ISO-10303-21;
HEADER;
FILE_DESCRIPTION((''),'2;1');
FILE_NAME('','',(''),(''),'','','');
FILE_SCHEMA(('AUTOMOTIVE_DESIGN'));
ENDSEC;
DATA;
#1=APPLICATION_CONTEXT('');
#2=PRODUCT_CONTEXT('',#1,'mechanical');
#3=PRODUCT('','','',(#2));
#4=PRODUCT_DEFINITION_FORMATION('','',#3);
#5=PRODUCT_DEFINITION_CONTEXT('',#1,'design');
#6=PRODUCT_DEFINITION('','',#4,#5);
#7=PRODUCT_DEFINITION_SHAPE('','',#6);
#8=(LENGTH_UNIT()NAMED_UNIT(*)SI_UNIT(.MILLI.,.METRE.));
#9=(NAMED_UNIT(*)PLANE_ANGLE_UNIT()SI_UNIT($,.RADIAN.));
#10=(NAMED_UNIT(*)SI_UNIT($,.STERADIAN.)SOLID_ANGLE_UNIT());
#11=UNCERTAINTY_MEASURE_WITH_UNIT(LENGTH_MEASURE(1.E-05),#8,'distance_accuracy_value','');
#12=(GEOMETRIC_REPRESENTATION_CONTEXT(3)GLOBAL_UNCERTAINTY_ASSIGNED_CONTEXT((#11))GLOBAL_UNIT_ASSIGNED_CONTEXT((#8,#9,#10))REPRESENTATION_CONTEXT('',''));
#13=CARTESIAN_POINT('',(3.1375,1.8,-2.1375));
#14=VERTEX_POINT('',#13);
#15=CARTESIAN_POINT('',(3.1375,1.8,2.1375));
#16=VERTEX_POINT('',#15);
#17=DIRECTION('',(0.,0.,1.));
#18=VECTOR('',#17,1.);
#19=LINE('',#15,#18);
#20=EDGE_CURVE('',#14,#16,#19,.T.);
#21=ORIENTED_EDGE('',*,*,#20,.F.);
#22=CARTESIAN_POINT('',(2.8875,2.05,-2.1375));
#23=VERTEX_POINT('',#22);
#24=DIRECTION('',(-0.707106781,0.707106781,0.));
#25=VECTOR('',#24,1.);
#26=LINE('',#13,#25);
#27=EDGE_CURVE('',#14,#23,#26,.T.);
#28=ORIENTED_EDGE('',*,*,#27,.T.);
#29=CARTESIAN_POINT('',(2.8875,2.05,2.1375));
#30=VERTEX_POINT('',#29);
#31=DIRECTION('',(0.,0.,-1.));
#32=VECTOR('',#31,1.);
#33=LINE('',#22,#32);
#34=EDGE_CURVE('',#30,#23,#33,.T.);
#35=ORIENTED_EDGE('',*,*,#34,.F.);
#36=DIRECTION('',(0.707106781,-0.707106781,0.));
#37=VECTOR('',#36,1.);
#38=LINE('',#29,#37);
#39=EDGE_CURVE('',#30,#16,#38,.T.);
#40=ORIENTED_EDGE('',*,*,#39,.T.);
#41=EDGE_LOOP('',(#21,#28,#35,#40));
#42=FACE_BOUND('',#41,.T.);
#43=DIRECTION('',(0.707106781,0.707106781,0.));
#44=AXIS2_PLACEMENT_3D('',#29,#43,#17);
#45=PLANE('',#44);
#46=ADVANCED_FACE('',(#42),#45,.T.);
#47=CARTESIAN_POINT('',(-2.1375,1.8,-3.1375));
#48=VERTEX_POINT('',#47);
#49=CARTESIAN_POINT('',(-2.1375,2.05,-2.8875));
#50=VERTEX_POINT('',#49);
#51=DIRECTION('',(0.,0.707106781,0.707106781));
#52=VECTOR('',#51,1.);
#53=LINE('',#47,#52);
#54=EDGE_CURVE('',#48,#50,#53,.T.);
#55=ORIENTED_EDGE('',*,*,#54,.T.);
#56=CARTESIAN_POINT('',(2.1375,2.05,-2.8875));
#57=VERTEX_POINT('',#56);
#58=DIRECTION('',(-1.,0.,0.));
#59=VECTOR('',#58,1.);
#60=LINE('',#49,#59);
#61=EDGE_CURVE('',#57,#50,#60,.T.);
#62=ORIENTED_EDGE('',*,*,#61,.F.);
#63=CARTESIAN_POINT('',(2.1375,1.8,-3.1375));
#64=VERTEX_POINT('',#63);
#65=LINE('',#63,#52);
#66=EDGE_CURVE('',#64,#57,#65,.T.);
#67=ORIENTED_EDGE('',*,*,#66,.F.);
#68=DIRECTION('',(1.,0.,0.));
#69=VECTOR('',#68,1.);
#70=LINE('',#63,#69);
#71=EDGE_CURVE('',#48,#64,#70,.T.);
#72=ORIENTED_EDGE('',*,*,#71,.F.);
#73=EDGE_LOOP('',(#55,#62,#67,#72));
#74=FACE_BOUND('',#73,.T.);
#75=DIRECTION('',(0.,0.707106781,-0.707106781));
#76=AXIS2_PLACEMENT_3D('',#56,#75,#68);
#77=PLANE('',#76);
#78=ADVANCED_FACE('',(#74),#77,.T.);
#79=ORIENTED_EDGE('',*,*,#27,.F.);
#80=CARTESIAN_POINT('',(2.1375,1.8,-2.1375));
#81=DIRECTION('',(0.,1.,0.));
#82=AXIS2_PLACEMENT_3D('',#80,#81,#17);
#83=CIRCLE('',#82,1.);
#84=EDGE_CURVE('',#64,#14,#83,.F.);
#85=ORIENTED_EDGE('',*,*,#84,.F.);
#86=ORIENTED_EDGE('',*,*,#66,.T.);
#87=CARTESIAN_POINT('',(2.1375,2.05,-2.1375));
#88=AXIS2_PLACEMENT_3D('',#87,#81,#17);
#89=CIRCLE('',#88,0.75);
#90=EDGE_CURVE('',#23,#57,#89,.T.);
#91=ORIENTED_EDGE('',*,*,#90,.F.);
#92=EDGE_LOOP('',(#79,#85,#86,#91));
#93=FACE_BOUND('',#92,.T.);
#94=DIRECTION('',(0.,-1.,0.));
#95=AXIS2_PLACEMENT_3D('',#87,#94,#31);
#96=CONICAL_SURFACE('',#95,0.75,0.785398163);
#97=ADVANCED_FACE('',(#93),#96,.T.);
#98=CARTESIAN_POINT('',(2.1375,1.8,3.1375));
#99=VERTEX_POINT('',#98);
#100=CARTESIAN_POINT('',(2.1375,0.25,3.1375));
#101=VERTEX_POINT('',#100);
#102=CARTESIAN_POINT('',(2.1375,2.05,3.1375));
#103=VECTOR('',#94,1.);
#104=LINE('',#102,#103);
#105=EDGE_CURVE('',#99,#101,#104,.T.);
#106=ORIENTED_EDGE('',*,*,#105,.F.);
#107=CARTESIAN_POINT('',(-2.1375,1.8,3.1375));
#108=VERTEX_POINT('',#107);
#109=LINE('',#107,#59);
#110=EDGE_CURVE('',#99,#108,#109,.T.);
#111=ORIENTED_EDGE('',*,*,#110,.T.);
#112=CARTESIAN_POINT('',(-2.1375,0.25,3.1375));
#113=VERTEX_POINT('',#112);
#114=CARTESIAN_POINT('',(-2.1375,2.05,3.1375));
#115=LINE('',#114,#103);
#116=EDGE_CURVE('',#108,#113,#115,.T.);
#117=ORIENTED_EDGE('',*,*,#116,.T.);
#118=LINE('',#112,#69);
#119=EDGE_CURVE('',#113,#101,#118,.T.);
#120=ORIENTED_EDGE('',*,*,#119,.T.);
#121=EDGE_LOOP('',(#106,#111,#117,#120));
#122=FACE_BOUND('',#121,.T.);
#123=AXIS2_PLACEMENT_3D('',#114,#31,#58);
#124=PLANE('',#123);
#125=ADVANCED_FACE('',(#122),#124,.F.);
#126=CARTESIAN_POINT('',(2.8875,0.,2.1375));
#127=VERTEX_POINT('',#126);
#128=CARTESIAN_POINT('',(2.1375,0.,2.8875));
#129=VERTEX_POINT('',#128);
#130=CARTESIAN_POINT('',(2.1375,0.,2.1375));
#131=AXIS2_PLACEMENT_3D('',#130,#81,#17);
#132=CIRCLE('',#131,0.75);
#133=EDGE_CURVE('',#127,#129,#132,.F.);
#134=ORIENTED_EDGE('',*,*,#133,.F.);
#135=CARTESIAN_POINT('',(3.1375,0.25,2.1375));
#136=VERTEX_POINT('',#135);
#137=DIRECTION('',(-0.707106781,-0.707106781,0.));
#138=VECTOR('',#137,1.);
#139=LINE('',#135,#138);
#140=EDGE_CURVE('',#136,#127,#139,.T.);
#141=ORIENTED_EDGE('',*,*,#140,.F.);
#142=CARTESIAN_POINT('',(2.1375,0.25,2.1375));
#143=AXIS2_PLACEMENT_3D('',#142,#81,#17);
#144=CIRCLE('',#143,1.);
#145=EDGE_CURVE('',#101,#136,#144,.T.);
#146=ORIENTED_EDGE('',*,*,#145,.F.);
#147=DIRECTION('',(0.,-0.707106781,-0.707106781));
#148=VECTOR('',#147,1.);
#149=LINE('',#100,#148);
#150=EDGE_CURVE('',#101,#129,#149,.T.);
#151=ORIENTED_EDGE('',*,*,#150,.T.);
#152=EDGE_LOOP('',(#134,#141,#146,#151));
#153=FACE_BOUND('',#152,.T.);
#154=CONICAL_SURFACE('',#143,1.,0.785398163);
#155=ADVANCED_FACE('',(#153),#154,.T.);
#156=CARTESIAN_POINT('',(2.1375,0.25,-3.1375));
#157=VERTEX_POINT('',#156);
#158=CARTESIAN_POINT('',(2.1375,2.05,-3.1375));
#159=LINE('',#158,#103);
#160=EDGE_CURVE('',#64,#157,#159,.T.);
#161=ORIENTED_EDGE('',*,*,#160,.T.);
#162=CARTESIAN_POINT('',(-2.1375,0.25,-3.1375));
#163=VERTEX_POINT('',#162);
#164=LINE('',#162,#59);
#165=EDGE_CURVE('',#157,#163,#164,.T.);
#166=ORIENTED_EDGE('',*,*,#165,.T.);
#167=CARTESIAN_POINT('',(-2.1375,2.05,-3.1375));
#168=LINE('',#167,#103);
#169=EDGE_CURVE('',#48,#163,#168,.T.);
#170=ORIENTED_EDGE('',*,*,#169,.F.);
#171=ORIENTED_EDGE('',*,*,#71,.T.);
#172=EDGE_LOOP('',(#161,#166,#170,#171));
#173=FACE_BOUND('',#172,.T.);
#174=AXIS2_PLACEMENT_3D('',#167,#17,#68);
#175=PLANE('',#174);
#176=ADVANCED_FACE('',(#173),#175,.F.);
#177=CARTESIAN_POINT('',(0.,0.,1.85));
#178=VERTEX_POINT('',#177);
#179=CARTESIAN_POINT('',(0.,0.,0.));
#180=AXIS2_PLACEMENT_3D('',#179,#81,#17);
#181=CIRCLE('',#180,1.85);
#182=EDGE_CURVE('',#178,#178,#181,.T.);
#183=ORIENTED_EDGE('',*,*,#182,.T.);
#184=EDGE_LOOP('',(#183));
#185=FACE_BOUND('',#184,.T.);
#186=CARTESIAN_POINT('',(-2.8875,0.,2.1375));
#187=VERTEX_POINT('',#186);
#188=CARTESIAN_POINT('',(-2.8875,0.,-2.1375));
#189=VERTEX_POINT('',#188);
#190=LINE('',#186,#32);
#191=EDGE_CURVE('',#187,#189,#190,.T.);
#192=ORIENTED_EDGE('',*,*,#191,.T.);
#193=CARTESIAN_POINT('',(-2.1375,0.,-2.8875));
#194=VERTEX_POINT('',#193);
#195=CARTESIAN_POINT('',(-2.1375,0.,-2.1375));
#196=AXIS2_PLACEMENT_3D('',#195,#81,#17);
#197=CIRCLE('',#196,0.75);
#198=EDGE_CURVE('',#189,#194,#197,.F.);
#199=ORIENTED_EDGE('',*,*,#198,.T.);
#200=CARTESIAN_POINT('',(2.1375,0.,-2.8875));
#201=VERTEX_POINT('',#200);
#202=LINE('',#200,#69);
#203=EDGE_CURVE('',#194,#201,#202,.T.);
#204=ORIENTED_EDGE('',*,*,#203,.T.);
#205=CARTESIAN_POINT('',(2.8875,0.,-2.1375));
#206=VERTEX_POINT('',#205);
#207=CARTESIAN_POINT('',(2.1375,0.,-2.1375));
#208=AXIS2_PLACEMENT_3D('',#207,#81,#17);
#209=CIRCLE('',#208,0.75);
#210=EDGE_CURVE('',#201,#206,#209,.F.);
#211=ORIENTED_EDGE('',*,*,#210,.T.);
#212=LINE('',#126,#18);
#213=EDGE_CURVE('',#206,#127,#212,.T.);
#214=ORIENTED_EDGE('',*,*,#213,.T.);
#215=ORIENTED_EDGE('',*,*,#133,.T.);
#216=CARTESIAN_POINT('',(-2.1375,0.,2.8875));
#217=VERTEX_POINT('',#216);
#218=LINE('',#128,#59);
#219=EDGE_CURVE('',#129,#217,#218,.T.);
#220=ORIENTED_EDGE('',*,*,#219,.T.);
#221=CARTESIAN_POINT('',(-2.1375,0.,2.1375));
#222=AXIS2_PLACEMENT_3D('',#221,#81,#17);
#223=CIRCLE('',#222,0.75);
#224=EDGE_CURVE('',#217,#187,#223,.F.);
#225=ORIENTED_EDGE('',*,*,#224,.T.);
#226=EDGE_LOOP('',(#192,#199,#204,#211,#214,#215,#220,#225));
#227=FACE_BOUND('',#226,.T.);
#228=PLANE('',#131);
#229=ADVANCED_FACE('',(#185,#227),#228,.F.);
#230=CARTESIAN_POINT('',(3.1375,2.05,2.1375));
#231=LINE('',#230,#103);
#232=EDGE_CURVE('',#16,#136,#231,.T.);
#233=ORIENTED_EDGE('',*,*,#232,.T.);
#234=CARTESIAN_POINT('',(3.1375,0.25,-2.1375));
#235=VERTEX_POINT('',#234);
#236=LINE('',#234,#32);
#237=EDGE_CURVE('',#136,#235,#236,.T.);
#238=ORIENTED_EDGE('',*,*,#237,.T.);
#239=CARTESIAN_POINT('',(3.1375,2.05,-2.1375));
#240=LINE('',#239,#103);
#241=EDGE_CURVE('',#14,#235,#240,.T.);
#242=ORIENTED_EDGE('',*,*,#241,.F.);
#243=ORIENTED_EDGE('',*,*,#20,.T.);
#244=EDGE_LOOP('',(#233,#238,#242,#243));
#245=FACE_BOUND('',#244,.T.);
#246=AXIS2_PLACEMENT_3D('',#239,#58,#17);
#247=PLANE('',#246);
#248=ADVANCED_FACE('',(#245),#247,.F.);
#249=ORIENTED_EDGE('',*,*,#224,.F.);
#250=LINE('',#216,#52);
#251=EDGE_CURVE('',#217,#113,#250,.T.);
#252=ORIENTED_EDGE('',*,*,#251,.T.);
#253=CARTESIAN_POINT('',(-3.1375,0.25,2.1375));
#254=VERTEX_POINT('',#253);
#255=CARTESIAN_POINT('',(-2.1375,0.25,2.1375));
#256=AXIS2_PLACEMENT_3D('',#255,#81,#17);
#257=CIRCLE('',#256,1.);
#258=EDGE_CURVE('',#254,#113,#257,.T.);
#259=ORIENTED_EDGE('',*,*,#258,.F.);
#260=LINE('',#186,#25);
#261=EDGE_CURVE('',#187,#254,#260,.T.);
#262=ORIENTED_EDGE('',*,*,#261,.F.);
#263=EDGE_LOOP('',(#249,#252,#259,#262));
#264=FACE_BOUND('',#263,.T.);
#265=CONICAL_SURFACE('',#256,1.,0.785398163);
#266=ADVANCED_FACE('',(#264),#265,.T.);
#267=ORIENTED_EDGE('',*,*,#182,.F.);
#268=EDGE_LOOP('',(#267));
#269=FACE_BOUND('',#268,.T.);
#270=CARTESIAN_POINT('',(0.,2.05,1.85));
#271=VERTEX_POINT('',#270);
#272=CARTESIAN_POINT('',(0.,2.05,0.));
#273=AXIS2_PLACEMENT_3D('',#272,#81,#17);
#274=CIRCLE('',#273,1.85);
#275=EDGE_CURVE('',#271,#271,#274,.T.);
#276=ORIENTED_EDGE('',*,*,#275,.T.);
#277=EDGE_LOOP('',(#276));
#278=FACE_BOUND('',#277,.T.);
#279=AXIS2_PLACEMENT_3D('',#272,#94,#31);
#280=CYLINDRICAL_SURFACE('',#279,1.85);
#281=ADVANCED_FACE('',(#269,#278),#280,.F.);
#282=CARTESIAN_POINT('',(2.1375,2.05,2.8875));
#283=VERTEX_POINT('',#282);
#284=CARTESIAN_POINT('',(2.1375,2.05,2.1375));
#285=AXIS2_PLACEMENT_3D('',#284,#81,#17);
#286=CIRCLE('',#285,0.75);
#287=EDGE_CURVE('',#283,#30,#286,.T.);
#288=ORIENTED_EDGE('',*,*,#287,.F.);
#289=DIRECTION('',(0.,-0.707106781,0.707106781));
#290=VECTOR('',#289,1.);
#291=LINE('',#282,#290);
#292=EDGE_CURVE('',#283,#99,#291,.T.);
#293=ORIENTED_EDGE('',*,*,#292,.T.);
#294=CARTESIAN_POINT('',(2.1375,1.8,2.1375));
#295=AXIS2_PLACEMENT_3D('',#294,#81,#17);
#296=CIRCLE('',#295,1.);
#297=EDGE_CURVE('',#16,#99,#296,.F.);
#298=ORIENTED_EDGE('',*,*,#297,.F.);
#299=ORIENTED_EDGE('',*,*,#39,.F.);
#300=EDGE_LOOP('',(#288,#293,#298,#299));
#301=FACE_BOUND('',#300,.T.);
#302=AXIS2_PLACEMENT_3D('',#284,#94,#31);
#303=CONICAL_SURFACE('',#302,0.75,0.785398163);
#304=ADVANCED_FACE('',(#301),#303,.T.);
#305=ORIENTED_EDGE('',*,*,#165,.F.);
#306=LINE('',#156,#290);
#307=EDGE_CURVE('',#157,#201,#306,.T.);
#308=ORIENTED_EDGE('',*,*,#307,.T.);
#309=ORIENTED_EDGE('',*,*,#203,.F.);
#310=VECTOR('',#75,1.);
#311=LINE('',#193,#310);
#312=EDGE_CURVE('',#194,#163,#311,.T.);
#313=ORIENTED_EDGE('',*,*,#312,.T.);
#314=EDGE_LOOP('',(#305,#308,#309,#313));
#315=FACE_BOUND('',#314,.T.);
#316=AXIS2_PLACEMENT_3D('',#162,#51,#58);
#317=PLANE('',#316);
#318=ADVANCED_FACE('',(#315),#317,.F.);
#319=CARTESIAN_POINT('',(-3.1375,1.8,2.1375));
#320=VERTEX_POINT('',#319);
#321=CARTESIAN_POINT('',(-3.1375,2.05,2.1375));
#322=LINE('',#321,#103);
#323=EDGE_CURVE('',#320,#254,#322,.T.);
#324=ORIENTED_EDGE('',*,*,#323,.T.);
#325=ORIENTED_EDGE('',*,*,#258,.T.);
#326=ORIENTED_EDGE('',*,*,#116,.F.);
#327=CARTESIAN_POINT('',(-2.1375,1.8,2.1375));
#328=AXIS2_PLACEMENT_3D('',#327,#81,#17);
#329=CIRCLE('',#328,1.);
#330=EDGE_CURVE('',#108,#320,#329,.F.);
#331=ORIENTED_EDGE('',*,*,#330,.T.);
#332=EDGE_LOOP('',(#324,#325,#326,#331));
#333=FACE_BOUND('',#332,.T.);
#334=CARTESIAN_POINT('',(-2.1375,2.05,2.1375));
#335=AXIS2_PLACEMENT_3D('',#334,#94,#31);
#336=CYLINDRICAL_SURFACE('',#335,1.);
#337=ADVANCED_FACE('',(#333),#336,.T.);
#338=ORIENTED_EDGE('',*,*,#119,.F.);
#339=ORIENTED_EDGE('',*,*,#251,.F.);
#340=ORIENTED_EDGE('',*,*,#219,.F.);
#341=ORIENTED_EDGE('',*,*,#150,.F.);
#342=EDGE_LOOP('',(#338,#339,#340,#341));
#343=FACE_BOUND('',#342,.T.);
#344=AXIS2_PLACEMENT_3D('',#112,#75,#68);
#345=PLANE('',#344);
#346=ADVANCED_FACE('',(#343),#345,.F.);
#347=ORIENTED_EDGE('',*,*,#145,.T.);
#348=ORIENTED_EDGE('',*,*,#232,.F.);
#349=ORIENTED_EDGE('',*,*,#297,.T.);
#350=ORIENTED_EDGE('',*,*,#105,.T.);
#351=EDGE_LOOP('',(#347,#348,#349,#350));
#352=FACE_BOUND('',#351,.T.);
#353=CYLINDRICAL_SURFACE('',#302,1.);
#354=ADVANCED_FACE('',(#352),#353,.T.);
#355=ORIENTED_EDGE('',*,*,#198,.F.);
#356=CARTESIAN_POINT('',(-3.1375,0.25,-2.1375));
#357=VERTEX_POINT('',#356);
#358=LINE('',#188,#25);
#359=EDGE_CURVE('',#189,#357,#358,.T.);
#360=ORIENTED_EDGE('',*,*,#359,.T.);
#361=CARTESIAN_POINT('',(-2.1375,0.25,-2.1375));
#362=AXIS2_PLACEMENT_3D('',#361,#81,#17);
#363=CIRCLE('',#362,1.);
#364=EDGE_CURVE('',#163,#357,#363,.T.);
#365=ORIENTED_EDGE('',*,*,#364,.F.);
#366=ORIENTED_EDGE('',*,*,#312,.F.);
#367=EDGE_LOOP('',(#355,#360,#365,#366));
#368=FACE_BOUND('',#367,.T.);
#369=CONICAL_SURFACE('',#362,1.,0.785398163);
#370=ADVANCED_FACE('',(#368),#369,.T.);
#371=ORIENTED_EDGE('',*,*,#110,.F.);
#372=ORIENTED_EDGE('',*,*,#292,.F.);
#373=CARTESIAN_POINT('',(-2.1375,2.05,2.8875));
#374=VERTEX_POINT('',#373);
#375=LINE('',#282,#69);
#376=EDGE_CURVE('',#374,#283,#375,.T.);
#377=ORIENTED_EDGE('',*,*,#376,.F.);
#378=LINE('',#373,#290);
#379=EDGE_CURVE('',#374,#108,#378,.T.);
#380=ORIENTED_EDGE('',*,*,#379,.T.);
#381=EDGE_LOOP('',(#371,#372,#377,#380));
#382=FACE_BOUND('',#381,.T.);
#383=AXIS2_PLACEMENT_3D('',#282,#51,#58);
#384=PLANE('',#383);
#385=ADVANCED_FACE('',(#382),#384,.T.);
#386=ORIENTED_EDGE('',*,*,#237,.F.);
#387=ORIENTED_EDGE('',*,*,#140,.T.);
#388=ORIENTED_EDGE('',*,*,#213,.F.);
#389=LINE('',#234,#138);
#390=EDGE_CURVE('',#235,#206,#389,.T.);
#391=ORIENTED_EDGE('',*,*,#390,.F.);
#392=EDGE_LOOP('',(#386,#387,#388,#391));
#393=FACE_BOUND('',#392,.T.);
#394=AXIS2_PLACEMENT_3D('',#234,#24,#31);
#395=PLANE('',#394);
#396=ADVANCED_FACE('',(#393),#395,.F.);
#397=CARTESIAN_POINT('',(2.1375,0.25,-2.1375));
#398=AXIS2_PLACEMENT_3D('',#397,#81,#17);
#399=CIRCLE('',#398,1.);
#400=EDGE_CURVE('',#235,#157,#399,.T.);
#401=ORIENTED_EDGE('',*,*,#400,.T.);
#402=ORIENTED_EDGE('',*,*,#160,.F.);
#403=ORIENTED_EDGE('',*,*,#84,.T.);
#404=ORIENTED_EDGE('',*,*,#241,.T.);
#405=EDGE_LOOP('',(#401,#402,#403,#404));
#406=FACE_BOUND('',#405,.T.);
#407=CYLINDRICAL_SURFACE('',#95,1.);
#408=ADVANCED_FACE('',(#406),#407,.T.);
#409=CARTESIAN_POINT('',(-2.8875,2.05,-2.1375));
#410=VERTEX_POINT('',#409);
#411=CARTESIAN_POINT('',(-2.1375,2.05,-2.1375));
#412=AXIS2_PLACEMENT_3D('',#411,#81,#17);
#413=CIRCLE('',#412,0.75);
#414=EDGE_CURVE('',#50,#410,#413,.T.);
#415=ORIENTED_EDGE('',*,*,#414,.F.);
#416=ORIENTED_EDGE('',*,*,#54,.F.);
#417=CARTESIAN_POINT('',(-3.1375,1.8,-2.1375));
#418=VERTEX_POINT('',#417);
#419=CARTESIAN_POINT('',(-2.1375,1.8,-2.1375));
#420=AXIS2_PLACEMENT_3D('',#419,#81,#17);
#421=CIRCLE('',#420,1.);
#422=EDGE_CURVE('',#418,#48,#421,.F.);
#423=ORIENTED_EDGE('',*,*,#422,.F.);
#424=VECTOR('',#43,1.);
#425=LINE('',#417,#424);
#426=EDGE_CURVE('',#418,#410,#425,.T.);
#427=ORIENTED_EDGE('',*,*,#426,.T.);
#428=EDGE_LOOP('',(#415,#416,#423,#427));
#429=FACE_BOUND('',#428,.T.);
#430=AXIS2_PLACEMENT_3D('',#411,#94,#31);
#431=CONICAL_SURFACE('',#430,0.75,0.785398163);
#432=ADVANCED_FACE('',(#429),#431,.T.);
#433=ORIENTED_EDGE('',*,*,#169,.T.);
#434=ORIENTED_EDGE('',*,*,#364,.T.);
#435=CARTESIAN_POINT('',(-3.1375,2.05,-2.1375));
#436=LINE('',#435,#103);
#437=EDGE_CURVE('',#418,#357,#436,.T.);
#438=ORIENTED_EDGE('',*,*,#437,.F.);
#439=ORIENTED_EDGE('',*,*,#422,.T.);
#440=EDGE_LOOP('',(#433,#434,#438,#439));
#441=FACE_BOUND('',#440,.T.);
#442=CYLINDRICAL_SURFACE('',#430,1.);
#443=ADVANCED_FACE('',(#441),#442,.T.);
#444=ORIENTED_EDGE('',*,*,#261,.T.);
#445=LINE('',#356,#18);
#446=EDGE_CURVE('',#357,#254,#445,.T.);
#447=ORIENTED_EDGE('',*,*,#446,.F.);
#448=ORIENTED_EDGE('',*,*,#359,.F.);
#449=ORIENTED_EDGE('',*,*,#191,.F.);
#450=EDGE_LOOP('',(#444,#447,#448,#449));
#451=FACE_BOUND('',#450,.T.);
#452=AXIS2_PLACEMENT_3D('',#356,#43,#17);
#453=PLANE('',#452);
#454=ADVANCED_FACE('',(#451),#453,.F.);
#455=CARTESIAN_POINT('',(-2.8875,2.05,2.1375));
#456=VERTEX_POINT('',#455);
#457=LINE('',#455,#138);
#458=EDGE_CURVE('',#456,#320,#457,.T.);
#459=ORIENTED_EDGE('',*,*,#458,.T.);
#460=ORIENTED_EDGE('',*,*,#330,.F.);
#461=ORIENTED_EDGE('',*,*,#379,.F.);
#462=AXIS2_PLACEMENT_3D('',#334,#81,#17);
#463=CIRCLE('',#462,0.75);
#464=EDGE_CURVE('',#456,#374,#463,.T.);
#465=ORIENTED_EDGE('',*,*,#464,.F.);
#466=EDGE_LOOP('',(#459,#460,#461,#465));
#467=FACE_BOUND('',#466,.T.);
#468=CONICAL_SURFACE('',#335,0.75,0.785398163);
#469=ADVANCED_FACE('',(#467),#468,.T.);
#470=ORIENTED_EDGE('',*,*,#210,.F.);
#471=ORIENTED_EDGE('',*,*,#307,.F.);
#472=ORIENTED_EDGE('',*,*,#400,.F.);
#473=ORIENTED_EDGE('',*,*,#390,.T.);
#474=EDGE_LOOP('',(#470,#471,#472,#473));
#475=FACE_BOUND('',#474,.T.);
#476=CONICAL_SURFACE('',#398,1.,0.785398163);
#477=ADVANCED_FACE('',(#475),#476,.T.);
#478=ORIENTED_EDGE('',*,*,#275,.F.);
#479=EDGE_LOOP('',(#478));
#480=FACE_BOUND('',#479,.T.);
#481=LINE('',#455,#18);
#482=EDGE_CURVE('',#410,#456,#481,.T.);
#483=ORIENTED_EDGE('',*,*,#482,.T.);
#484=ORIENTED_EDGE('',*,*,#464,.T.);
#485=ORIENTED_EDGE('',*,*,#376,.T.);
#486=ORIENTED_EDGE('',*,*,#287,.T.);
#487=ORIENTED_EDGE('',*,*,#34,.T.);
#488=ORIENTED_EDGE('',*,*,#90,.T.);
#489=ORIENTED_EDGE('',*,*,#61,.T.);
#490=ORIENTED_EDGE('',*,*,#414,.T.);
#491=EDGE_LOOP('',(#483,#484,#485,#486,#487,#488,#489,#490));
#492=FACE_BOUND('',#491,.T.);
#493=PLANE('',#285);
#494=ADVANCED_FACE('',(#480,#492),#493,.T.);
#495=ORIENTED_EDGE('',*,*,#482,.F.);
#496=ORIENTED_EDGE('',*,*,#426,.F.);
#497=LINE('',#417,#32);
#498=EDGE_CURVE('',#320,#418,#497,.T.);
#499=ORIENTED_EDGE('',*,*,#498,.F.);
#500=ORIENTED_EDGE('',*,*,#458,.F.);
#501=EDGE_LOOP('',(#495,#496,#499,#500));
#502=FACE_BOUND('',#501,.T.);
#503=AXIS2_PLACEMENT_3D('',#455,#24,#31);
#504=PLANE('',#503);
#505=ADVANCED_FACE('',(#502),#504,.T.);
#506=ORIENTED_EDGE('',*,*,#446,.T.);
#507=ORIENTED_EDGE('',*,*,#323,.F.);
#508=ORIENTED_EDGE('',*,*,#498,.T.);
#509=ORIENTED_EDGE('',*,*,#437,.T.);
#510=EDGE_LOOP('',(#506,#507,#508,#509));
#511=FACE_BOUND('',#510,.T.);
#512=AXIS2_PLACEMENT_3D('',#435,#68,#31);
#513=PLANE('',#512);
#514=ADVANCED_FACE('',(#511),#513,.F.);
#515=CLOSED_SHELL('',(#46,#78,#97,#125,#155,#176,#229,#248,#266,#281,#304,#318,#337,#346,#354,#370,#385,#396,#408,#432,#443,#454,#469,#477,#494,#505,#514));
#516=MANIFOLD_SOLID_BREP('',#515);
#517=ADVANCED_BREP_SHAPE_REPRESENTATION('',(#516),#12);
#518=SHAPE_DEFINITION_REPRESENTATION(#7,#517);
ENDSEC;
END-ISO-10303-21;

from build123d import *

# Parameters (mm, degrees)
SKETCH1_R           = 1.85
BOSS_EXTRUDE1_DEPTH = 2.05
CHAMFER1_SIZE       = 0.25


with BuildPart() as part:
    # Sketch1 → Boss-Extrude1 (new body)
    with BuildSketch(Plane(origin=(0, 0, 0), x_dir=(1, 0, 0), z_dir=(0, 1, 0))):
        with BuildLine():
            Line((-2.1375, 3.1375), (2.1375, 3.1375))
            ThreePointArc((2.1375, 3.1375), (2.844606781, 2.844606781), (3.1375, 2.1375))
            Line((3.1375, 2.1375), (3.1375, -2.1375))
            ThreePointArc((3.1375, -2.1375), (2.844606781, -2.844606781), (2.1375, -3.1375))
            Line((2.1375, -3.1375), (-2.1375, -3.1375))
            ThreePointArc((-2.1375, -3.1375), (-2.844606781, -2.844606781), (-3.1375, -2.1375))
            Line((-3.1375, -2.1375), (-3.1375, 2.1375))
            ThreePointArc((-3.1375, 2.1375), (-2.844606781, 2.844606781), (-2.1375, 3.1375))
        make_face()
        with Locations(Location((0, 0, 0), (0, 0, 270))):
            Circle(SKETCH1_R, mode=Mode.SUBTRACT)
    extrude(amount=BOSS_EXTRUDE1_DEPTH)

    # Chamfer1
    chamfer1_edges = [part.edges().sort_by_distance(p)[0] for p in [
        (2.844606781, 2.05, -2.844606781),
        (3.1375, 0, 0),
        (2.844606781, 0, 2.844606781),
        (0, 2.05, -3.1375),
        (-2.844606781, 2.05, -2.844606781),
        (-3.1375, 2.05, 0),
        (-2.844606781, 2.05, 2.844606781),
        (0, 2.05, 3.1375),
        (2.844606781, 2.05, 2.844606781),
        (3.1375, 2.05, 0),
        (0, 0, 3.1375),
        (-2.844606781, 0, 2.844606781),
        (-3.1375, 0, 0),
        (-2.844606781, 0, -2.844606781),
        (0, 0, -3.1375),
        (2.844606781, 0, -2.844606781),
    ]]
    chamfer(chamfer1_edges, length=CHAMFER1_SIZE)


solid = part.part
